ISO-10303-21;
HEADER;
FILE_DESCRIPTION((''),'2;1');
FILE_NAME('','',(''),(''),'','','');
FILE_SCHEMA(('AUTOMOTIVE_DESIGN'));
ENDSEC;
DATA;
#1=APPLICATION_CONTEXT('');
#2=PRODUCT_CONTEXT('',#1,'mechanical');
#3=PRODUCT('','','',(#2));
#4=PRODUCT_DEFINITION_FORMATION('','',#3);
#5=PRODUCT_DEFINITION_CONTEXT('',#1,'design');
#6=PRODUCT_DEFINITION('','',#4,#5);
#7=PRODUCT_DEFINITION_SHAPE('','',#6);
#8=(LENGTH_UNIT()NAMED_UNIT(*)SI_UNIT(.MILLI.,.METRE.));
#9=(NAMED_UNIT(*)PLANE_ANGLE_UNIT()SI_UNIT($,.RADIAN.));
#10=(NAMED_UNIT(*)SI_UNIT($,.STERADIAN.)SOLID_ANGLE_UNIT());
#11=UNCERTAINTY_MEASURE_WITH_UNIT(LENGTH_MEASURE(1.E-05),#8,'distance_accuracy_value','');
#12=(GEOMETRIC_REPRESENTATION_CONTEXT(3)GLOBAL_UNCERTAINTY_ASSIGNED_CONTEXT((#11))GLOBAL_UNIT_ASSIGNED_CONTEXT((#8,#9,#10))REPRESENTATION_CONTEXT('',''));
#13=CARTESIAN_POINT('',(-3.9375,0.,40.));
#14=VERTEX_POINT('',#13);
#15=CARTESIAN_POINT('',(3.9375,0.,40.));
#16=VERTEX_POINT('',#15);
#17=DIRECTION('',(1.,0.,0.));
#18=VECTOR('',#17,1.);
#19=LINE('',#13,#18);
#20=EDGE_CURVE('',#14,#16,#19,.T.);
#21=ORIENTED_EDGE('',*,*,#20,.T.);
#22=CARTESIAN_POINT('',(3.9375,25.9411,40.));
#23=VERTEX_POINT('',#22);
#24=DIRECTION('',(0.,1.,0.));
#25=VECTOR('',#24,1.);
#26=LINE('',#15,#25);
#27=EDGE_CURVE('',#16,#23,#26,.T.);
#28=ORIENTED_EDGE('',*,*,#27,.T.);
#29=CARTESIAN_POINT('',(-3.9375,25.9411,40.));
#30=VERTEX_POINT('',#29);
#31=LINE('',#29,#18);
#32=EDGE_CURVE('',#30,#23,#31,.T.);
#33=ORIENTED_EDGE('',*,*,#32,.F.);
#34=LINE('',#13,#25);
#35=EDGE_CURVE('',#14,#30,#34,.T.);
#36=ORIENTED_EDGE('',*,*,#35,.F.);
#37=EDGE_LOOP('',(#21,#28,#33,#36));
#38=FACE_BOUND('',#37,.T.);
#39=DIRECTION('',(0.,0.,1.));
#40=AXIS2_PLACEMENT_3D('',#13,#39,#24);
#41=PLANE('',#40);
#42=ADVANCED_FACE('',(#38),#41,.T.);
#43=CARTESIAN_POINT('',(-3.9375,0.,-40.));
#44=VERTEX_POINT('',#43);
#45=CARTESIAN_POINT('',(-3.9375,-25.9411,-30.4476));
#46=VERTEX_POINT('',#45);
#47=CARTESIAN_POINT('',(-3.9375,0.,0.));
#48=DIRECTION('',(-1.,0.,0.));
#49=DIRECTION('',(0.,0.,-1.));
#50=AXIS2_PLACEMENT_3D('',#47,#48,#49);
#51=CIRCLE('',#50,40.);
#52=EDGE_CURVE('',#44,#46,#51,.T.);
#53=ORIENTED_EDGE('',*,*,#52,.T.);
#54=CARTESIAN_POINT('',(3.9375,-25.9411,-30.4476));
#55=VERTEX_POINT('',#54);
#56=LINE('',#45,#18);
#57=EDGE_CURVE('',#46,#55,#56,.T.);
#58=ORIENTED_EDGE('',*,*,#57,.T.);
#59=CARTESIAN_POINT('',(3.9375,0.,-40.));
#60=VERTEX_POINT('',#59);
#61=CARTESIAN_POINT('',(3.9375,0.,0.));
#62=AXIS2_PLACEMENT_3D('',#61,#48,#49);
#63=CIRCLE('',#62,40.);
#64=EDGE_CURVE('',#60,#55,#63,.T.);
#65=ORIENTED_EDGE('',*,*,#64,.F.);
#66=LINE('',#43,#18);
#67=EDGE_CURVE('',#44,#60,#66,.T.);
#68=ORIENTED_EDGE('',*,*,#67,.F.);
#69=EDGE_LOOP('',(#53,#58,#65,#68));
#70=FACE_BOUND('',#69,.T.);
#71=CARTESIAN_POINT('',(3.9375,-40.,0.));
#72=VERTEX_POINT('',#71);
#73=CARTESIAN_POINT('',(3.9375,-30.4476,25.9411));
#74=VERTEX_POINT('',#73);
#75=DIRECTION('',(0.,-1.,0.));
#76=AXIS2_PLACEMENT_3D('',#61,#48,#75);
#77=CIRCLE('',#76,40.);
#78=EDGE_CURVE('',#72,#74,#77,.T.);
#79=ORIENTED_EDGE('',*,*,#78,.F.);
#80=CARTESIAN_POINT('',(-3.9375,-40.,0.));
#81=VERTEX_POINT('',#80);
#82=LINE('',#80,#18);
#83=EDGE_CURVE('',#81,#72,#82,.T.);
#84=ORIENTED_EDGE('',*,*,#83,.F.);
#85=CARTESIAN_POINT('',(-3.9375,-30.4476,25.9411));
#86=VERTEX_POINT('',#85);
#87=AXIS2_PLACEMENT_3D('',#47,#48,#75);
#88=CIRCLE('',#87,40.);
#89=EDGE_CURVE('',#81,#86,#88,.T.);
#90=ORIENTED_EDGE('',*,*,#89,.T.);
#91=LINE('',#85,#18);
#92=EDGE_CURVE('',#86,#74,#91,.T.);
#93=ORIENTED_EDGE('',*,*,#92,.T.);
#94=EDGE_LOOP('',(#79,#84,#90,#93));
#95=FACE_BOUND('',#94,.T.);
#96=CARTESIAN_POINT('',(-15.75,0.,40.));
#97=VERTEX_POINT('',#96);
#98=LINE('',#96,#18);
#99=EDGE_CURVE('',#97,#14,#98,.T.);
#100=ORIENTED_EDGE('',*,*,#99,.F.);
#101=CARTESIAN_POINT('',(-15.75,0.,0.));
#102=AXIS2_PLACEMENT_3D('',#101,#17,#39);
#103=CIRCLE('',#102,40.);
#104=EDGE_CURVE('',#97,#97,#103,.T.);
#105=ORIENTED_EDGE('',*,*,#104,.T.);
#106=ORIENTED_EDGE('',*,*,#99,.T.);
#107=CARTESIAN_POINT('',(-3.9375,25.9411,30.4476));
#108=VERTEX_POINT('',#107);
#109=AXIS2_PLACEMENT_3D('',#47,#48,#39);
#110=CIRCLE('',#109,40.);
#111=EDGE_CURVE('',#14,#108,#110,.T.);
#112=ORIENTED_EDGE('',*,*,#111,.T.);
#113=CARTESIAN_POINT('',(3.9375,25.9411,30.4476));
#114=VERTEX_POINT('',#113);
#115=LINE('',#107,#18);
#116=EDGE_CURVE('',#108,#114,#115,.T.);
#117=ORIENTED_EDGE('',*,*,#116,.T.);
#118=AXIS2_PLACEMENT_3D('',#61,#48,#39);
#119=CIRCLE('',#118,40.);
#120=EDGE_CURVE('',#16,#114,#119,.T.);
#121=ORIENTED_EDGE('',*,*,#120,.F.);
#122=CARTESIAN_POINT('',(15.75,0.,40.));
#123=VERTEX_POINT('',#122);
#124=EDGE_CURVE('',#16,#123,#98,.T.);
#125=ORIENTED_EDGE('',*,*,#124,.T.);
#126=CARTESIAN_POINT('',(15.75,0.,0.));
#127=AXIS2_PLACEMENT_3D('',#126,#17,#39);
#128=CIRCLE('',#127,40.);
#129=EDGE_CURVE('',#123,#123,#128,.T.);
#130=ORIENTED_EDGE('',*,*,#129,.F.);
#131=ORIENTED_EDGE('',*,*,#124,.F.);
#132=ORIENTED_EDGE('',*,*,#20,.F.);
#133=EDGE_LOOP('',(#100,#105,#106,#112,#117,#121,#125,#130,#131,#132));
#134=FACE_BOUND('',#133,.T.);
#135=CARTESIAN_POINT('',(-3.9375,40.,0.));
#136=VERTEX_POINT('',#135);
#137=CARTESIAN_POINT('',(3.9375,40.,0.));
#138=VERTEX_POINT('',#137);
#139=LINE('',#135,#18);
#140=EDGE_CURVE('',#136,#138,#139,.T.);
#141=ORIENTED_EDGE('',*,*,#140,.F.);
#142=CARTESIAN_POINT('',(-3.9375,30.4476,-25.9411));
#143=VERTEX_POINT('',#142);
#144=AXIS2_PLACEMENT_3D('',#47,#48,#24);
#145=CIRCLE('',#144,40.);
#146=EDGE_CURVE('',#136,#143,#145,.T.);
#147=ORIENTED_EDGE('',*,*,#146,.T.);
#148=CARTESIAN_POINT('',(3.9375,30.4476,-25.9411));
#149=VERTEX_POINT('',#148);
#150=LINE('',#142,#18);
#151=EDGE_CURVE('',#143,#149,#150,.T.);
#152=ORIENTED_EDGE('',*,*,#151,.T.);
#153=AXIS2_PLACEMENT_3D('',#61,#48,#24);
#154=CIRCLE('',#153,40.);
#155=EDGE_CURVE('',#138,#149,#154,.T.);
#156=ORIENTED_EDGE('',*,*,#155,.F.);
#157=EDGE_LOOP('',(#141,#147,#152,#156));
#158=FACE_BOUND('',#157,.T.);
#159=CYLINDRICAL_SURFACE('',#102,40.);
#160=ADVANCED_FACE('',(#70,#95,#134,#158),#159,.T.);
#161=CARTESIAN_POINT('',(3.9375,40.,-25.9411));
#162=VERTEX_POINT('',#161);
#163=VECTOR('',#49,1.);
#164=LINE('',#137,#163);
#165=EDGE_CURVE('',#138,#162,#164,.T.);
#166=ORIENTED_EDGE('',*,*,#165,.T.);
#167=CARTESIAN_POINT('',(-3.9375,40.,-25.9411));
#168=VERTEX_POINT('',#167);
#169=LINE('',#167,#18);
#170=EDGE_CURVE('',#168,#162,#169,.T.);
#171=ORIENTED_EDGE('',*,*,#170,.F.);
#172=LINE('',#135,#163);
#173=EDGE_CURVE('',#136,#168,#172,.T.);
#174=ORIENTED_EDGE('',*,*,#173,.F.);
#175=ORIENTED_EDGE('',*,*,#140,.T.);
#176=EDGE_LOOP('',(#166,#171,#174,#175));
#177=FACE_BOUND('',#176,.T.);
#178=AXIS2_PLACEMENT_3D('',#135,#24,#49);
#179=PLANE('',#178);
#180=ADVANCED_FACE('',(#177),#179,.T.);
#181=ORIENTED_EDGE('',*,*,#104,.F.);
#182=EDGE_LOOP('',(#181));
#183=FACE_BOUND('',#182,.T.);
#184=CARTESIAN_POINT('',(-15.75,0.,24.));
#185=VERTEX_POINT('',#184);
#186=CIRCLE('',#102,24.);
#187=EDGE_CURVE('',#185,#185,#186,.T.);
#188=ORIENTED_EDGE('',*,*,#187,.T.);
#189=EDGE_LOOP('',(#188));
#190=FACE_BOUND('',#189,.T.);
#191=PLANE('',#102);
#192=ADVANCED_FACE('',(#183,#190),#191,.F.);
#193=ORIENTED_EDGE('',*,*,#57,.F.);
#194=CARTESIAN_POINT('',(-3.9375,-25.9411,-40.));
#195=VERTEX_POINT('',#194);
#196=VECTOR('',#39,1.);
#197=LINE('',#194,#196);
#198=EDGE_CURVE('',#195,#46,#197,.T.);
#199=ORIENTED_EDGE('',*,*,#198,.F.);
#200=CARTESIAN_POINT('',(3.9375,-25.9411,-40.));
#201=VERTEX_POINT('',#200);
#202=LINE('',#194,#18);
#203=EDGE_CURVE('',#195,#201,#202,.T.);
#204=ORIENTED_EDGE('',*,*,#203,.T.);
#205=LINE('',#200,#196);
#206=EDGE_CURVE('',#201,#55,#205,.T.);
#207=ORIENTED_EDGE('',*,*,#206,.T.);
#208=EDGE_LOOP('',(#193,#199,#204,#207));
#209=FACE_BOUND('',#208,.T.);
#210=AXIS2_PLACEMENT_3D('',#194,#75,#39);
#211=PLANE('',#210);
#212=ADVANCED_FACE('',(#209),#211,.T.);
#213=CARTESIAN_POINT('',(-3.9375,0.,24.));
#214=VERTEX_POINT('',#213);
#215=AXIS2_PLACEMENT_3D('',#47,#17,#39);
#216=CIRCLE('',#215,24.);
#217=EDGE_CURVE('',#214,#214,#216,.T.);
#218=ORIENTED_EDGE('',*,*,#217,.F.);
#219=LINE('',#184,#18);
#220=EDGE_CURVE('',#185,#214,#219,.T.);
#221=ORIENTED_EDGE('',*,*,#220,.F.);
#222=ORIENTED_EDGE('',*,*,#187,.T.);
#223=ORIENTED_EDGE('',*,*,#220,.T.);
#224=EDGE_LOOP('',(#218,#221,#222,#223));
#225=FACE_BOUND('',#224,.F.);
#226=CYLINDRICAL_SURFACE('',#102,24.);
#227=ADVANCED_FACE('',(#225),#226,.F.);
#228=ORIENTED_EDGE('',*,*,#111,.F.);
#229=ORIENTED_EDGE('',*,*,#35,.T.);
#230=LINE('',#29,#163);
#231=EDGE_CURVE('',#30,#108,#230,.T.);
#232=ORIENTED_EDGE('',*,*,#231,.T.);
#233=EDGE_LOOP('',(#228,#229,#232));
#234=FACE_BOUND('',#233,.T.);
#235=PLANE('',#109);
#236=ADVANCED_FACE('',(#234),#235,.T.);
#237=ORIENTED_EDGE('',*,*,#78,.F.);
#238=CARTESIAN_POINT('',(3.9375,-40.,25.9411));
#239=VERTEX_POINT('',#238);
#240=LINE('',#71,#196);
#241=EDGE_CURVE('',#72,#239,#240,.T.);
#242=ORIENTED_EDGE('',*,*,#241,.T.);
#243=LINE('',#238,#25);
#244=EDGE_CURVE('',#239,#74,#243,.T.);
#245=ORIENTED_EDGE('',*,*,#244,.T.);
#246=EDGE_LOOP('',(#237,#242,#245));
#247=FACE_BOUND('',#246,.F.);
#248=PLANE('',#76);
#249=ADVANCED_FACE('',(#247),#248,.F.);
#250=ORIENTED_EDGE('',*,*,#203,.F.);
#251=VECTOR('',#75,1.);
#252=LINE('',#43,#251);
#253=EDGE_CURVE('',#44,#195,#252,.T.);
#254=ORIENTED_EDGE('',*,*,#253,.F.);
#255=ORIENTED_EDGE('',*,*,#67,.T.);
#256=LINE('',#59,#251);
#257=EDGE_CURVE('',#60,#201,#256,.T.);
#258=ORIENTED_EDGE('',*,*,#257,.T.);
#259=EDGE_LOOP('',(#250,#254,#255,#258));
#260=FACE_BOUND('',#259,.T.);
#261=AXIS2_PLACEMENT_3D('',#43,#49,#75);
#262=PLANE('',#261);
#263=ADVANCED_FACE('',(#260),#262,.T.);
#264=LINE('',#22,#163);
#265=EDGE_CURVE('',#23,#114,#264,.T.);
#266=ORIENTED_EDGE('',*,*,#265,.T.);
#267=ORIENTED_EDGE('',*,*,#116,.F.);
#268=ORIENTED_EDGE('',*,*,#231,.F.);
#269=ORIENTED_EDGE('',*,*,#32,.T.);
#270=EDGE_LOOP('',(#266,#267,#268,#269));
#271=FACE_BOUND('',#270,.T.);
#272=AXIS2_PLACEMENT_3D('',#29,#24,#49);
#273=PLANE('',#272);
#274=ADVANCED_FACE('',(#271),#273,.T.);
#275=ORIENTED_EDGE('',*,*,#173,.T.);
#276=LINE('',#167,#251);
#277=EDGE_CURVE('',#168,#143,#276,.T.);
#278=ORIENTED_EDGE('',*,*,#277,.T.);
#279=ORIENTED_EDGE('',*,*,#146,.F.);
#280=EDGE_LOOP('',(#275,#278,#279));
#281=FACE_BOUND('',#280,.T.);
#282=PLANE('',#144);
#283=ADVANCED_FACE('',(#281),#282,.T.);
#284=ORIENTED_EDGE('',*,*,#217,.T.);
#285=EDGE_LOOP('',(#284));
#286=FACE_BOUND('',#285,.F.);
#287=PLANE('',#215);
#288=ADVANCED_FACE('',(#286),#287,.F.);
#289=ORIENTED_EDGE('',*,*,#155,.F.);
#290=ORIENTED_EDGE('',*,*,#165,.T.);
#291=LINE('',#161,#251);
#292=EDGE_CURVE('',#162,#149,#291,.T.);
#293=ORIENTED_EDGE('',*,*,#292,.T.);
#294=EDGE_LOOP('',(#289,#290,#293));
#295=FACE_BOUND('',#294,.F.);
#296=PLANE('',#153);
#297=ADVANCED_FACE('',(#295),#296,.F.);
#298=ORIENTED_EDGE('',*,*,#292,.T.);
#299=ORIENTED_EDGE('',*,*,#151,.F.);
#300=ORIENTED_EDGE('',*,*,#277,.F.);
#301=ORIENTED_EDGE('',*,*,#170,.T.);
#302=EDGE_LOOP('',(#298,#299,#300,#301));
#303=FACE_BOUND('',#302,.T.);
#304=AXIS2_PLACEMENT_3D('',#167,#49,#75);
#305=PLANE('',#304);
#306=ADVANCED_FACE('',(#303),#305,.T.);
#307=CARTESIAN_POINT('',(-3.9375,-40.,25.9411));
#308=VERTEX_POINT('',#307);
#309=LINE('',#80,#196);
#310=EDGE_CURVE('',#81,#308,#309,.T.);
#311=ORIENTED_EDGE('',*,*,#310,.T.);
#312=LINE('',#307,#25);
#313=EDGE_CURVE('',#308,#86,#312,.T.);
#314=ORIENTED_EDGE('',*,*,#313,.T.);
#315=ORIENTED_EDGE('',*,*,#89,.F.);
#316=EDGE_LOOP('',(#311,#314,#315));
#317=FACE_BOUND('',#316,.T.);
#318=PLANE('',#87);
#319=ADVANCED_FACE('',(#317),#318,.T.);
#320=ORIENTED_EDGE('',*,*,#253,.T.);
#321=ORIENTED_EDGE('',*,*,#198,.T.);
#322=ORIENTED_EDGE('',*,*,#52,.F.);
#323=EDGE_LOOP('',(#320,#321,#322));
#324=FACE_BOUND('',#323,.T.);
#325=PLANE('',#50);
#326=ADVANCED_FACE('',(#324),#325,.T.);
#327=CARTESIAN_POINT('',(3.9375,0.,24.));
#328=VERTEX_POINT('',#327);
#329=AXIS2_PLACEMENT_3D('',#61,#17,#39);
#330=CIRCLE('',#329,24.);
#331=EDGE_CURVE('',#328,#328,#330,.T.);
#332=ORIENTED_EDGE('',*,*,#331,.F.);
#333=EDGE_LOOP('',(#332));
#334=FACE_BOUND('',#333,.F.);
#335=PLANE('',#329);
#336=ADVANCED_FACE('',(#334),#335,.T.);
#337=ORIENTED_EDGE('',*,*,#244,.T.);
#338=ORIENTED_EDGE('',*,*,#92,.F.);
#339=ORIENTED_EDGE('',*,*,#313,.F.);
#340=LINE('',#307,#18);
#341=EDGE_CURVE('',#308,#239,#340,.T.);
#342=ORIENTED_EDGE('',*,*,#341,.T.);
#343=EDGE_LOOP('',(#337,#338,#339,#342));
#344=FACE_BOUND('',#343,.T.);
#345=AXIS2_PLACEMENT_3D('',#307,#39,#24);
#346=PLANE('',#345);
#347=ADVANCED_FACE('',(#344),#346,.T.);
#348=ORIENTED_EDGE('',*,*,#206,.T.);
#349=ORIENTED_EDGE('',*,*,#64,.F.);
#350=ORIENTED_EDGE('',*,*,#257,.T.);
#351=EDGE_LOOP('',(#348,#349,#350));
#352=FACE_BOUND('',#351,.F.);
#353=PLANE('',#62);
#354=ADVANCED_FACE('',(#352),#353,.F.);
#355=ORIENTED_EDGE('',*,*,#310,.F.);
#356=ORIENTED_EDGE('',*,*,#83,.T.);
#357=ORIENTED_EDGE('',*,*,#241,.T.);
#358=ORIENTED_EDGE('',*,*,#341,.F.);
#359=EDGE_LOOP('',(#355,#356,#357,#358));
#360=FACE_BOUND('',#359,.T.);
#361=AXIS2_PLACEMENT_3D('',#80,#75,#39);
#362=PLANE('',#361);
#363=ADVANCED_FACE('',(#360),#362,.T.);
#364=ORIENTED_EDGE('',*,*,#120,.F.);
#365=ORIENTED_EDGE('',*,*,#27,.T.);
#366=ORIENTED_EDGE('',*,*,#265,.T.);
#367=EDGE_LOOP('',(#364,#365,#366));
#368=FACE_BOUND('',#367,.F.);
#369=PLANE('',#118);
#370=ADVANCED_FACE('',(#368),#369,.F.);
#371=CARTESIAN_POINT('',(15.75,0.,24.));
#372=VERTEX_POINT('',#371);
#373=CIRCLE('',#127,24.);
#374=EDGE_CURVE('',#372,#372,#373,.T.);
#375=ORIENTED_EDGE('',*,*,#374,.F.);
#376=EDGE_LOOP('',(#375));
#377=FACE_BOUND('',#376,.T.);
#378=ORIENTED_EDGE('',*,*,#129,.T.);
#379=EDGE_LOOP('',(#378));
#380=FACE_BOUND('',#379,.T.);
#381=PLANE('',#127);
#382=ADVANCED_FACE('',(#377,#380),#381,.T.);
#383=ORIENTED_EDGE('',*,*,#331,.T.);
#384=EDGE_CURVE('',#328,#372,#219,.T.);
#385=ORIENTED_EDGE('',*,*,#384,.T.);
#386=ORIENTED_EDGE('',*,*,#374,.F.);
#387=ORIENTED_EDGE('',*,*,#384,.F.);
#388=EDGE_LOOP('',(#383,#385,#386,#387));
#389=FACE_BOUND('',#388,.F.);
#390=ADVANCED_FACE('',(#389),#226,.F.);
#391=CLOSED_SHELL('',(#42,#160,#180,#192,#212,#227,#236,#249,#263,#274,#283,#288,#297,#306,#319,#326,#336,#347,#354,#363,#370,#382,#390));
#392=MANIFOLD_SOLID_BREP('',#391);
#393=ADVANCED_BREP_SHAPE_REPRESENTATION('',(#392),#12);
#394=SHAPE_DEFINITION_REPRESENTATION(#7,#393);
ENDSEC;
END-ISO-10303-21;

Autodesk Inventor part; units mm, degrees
ref_plane "YZ Plane" through (0, 0, 0) normal (1, 0, 0) x (0, 1, 0)
ref_plane "XZ Plane" through (0, 0, 0) normal (0, 1, 0) x (-1, 0, 0)
ref_plane "XY Plane" through (0, 0, 0) normal (0, 0, 1) x (1, 0, 0)
sketch "Sketch1" plane through (0, 0, 0) normal (0, 1, 0) x (-1, 0, 0)
  line L0 (15.75, 0) -> (-15.75, 0) construction
  line L1 (15.75, 40) -> (-15.75, 40)
  line L2 (-15.75, 40) -> (-15.75, 24)
  line L3 (15.75, 24) -> (-15.75, 24)
  line L4 (15.75, 24) -> (15.75, 40)
  line L5 (3.9375, 0) -> (-3.9375, 0)
  line L6 (-3.9375, 0) -> (-3.9375, 24)
  line L7 (-3.9375, 24) -> (3.9375, 24)
  line L8 (3.9375, 24) -> (3.9375, 0)
  line L9 (3.9375, 0) -> (-3.9375, 24) construction
  line L10 (-3.9375, 0) -> (3.9375, 24) construction
  point P0 (0, 12)
  point P1 (0, 24)
  point P2 (0, 0)
  point P3 (0, 0)
  dimension "Thickness" = 31.5
  dimension "DiamExt" = 80
  dimension "PipeDiameter" = 48
  dimension "d8" = 7.875
revolve "Revolution1" add sketch "Sketch1" angle 360 about axis through (-15.75, 0, 0) along (1, 0, 0)
sketch "Sketch5" plane through (-3.9375, 0, 0) normal (-1, 0, 0) x (0, 0, 1)
  circle A0 centre (0, 0) radius 40 projected
  line L0 (0, 0) -> (33.9411, 33.9411) construction
  line L1 (0, 0) -> (48, 0) construction
  circle A1 centre (33.9411, 33.9411) radius 8 construction
  circle A2 centre (0, 0) radius 40 projected
  line L2 (40, 0) -> (40, 25.9411)
  line L3 (40, 25.9411) -> (30.4476, 25.9411)
  point P0 (0, 0)
  dimension "d18" = 45
  dimension "d19" = 16
extrude "Extrusion1" add sketch "Sketch5" against normal up to surface (7.875 mm away) from surface at 0 contours A0 L3 L2
pattern_circular "Circular Pattern1" count 4 over 360 about axis through (0, 0, 0) along (-1, 0, 0) of "Extrusion1"
equation "\"d8\" = 0.25 * Thickness"
properties part number "CHECK VALVE DISK WAFER 316L DN40" material "304L"
